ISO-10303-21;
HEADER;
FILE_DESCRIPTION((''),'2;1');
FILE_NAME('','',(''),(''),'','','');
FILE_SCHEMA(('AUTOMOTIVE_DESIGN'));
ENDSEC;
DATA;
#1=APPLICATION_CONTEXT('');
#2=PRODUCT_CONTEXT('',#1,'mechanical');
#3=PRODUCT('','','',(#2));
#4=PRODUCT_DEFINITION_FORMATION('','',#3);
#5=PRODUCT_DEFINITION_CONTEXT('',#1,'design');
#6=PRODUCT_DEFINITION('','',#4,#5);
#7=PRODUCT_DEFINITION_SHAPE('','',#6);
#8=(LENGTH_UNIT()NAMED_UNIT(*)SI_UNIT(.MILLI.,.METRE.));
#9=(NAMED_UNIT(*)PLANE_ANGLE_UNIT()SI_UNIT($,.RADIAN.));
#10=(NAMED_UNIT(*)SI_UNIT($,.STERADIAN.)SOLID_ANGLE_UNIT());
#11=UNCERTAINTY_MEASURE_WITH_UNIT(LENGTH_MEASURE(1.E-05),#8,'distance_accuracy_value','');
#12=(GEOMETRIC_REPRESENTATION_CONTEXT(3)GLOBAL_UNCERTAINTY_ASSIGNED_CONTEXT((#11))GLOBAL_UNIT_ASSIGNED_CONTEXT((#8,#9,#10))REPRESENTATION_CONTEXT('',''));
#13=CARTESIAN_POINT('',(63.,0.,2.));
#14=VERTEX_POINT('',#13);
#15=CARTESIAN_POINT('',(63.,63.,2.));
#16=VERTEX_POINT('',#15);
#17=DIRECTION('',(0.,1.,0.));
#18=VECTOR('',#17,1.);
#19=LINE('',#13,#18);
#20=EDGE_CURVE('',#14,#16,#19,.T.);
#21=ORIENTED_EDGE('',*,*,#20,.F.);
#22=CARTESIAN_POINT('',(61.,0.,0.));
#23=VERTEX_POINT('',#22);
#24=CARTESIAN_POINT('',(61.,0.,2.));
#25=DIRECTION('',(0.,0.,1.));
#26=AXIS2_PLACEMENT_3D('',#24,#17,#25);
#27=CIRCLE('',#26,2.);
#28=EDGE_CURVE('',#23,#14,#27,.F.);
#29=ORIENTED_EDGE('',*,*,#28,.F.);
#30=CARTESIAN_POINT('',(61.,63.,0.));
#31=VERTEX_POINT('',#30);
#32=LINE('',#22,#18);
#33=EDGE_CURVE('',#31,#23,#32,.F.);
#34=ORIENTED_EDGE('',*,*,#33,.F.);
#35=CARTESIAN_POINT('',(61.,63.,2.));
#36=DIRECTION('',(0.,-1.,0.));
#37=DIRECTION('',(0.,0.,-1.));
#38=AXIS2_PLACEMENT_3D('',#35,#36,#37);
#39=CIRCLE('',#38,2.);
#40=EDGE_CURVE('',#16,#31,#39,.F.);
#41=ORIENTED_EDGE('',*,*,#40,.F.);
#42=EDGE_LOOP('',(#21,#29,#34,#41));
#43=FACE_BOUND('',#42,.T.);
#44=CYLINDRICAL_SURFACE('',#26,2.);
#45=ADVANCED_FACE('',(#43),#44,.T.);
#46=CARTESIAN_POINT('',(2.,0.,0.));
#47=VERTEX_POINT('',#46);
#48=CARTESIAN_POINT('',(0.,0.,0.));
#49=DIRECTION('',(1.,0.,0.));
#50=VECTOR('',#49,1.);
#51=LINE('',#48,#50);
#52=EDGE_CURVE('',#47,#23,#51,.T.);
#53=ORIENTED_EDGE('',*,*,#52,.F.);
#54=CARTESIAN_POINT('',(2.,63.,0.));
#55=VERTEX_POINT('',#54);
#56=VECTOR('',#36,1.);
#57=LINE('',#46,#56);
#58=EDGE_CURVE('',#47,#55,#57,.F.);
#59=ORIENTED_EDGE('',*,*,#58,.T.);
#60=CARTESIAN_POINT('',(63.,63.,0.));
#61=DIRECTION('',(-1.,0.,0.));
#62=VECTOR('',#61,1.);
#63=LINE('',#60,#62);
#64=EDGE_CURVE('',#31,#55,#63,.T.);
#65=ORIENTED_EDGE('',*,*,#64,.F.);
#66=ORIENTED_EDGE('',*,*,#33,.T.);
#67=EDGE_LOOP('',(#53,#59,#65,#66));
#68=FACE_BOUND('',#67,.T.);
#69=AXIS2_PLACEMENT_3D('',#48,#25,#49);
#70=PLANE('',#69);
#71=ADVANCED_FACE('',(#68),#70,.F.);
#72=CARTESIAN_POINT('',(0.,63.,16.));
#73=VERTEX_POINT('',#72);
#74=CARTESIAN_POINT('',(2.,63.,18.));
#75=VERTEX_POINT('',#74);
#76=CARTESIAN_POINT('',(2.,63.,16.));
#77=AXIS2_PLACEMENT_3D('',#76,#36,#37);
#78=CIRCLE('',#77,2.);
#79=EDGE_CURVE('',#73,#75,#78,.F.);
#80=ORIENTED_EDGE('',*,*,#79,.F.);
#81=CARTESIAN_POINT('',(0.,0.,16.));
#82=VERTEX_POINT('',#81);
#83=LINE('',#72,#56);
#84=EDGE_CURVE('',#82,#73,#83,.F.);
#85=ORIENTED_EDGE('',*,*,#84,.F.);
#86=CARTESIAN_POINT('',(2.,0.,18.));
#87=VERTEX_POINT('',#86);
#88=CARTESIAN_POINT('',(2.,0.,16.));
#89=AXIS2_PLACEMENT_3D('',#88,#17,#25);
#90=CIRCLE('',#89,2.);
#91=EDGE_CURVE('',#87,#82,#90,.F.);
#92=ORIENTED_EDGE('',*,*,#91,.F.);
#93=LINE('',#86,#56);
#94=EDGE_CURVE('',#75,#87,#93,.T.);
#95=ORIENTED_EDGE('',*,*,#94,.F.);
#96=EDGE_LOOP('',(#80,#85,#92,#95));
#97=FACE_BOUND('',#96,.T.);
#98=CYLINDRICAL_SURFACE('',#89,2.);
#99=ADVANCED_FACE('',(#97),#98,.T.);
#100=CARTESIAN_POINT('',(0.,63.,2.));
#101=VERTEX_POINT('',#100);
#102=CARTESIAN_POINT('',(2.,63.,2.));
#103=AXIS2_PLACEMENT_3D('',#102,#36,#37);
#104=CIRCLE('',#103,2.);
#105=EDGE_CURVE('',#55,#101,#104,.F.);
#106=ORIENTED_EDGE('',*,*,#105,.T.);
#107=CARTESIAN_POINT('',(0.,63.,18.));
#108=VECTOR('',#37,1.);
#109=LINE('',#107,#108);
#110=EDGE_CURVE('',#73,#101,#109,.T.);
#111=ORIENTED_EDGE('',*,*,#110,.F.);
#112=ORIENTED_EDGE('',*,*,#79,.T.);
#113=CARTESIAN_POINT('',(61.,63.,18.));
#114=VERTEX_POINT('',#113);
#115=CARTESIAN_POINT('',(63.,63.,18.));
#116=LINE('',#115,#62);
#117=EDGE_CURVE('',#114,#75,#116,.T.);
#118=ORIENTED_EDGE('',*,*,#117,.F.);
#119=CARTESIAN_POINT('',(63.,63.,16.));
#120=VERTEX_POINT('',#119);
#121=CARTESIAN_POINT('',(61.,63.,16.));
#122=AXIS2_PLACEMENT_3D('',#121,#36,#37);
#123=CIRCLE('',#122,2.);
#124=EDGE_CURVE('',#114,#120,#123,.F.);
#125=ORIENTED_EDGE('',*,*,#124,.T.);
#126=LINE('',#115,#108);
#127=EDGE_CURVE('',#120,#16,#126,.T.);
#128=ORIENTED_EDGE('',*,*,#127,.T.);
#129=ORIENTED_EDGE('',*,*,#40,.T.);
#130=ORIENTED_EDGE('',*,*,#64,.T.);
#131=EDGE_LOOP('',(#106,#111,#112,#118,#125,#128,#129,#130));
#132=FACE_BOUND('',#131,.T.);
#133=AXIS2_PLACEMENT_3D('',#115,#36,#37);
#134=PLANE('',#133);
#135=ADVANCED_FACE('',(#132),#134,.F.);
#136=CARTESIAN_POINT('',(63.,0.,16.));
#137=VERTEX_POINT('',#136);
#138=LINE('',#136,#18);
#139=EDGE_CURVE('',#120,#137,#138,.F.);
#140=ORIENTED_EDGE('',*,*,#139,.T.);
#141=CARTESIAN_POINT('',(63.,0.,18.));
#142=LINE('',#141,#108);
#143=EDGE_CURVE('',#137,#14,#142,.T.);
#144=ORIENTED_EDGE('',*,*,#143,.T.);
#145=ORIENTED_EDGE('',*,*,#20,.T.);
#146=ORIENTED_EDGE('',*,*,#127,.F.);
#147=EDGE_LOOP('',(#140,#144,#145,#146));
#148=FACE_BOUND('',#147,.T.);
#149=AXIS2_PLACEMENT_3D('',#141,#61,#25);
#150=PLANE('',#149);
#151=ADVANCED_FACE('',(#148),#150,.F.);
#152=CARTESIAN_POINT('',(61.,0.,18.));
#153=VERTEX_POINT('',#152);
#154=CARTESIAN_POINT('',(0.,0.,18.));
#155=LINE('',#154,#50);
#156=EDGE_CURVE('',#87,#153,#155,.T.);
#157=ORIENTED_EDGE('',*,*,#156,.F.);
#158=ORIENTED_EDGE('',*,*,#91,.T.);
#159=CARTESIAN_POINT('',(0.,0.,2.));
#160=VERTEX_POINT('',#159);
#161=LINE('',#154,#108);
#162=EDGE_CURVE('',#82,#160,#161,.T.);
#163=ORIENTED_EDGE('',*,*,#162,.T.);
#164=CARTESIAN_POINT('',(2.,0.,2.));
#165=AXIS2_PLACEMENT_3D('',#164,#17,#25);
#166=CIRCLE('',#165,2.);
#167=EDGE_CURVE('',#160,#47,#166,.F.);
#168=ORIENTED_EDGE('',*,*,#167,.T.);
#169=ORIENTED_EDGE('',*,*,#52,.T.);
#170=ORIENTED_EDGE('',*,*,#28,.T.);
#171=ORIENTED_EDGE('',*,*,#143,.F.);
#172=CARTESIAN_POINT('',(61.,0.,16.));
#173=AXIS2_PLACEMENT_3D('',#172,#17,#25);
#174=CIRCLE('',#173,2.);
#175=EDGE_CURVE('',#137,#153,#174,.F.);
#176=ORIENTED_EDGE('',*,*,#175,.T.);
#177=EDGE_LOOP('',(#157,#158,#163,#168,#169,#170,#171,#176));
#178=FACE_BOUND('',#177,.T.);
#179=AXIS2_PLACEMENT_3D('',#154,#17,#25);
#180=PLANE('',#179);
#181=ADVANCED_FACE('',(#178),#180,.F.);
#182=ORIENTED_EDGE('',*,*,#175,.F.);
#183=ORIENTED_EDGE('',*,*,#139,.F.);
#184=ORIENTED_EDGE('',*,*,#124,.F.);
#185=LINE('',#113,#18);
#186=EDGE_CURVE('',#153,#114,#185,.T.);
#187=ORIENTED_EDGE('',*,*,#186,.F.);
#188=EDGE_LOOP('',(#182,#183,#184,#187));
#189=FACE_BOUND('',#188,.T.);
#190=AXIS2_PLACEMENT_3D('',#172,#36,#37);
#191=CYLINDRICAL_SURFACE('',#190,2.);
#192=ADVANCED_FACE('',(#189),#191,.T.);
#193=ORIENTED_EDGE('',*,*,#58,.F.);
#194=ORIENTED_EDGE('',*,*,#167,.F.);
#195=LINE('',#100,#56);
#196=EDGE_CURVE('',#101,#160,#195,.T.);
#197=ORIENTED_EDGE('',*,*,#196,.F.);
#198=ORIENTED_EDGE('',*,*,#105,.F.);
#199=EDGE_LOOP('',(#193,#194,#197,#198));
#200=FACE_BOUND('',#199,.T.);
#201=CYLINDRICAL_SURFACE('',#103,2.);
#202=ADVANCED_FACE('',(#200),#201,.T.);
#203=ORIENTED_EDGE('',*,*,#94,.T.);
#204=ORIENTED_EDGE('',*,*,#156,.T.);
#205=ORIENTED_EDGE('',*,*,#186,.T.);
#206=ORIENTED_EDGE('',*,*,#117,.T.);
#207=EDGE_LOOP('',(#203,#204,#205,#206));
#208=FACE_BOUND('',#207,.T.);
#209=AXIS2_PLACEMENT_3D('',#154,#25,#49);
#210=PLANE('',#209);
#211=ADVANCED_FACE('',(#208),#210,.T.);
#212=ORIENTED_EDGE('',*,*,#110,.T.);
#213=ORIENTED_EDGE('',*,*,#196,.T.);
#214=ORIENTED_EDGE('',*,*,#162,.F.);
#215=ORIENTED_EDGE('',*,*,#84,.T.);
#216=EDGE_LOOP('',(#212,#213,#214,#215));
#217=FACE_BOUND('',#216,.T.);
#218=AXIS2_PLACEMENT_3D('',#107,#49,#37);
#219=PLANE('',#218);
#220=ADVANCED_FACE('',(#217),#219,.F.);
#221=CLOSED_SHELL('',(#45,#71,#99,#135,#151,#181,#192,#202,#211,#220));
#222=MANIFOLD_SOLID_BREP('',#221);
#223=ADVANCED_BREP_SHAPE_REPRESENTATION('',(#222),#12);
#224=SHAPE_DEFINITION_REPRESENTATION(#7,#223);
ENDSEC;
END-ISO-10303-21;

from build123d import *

# Parameters (mm, degrees)
SKETCH_1_W         = 63
SKETCH_1_H         = 63
BLOCKEXTRUDE_DEPTH = 18
FILLET_2_R         = 2


with BuildPart() as part:
    # 草图1 → BlockExtrude (new body)
    with BuildSketch(Plane.XY):
        with Locations((31.5, 31.5)):
            Rectangle(SKETCH_1_W, SKETCH_1_H)
    extrude(amount=BLOCKEXTRUDE_DEPTH)

    # Fillet 2
    fillet_2_edges = [part.edges().sort_by_distance(p)[0] for p in [
        (63, 31.5, 18),
        (0, 31.5, 18),
        (63, 31.5, 0),
        (0, 31.5, 0),
    ]]
    fillet(fillet_2_edges, radius=FILLET_2_R)


solid = part.part
